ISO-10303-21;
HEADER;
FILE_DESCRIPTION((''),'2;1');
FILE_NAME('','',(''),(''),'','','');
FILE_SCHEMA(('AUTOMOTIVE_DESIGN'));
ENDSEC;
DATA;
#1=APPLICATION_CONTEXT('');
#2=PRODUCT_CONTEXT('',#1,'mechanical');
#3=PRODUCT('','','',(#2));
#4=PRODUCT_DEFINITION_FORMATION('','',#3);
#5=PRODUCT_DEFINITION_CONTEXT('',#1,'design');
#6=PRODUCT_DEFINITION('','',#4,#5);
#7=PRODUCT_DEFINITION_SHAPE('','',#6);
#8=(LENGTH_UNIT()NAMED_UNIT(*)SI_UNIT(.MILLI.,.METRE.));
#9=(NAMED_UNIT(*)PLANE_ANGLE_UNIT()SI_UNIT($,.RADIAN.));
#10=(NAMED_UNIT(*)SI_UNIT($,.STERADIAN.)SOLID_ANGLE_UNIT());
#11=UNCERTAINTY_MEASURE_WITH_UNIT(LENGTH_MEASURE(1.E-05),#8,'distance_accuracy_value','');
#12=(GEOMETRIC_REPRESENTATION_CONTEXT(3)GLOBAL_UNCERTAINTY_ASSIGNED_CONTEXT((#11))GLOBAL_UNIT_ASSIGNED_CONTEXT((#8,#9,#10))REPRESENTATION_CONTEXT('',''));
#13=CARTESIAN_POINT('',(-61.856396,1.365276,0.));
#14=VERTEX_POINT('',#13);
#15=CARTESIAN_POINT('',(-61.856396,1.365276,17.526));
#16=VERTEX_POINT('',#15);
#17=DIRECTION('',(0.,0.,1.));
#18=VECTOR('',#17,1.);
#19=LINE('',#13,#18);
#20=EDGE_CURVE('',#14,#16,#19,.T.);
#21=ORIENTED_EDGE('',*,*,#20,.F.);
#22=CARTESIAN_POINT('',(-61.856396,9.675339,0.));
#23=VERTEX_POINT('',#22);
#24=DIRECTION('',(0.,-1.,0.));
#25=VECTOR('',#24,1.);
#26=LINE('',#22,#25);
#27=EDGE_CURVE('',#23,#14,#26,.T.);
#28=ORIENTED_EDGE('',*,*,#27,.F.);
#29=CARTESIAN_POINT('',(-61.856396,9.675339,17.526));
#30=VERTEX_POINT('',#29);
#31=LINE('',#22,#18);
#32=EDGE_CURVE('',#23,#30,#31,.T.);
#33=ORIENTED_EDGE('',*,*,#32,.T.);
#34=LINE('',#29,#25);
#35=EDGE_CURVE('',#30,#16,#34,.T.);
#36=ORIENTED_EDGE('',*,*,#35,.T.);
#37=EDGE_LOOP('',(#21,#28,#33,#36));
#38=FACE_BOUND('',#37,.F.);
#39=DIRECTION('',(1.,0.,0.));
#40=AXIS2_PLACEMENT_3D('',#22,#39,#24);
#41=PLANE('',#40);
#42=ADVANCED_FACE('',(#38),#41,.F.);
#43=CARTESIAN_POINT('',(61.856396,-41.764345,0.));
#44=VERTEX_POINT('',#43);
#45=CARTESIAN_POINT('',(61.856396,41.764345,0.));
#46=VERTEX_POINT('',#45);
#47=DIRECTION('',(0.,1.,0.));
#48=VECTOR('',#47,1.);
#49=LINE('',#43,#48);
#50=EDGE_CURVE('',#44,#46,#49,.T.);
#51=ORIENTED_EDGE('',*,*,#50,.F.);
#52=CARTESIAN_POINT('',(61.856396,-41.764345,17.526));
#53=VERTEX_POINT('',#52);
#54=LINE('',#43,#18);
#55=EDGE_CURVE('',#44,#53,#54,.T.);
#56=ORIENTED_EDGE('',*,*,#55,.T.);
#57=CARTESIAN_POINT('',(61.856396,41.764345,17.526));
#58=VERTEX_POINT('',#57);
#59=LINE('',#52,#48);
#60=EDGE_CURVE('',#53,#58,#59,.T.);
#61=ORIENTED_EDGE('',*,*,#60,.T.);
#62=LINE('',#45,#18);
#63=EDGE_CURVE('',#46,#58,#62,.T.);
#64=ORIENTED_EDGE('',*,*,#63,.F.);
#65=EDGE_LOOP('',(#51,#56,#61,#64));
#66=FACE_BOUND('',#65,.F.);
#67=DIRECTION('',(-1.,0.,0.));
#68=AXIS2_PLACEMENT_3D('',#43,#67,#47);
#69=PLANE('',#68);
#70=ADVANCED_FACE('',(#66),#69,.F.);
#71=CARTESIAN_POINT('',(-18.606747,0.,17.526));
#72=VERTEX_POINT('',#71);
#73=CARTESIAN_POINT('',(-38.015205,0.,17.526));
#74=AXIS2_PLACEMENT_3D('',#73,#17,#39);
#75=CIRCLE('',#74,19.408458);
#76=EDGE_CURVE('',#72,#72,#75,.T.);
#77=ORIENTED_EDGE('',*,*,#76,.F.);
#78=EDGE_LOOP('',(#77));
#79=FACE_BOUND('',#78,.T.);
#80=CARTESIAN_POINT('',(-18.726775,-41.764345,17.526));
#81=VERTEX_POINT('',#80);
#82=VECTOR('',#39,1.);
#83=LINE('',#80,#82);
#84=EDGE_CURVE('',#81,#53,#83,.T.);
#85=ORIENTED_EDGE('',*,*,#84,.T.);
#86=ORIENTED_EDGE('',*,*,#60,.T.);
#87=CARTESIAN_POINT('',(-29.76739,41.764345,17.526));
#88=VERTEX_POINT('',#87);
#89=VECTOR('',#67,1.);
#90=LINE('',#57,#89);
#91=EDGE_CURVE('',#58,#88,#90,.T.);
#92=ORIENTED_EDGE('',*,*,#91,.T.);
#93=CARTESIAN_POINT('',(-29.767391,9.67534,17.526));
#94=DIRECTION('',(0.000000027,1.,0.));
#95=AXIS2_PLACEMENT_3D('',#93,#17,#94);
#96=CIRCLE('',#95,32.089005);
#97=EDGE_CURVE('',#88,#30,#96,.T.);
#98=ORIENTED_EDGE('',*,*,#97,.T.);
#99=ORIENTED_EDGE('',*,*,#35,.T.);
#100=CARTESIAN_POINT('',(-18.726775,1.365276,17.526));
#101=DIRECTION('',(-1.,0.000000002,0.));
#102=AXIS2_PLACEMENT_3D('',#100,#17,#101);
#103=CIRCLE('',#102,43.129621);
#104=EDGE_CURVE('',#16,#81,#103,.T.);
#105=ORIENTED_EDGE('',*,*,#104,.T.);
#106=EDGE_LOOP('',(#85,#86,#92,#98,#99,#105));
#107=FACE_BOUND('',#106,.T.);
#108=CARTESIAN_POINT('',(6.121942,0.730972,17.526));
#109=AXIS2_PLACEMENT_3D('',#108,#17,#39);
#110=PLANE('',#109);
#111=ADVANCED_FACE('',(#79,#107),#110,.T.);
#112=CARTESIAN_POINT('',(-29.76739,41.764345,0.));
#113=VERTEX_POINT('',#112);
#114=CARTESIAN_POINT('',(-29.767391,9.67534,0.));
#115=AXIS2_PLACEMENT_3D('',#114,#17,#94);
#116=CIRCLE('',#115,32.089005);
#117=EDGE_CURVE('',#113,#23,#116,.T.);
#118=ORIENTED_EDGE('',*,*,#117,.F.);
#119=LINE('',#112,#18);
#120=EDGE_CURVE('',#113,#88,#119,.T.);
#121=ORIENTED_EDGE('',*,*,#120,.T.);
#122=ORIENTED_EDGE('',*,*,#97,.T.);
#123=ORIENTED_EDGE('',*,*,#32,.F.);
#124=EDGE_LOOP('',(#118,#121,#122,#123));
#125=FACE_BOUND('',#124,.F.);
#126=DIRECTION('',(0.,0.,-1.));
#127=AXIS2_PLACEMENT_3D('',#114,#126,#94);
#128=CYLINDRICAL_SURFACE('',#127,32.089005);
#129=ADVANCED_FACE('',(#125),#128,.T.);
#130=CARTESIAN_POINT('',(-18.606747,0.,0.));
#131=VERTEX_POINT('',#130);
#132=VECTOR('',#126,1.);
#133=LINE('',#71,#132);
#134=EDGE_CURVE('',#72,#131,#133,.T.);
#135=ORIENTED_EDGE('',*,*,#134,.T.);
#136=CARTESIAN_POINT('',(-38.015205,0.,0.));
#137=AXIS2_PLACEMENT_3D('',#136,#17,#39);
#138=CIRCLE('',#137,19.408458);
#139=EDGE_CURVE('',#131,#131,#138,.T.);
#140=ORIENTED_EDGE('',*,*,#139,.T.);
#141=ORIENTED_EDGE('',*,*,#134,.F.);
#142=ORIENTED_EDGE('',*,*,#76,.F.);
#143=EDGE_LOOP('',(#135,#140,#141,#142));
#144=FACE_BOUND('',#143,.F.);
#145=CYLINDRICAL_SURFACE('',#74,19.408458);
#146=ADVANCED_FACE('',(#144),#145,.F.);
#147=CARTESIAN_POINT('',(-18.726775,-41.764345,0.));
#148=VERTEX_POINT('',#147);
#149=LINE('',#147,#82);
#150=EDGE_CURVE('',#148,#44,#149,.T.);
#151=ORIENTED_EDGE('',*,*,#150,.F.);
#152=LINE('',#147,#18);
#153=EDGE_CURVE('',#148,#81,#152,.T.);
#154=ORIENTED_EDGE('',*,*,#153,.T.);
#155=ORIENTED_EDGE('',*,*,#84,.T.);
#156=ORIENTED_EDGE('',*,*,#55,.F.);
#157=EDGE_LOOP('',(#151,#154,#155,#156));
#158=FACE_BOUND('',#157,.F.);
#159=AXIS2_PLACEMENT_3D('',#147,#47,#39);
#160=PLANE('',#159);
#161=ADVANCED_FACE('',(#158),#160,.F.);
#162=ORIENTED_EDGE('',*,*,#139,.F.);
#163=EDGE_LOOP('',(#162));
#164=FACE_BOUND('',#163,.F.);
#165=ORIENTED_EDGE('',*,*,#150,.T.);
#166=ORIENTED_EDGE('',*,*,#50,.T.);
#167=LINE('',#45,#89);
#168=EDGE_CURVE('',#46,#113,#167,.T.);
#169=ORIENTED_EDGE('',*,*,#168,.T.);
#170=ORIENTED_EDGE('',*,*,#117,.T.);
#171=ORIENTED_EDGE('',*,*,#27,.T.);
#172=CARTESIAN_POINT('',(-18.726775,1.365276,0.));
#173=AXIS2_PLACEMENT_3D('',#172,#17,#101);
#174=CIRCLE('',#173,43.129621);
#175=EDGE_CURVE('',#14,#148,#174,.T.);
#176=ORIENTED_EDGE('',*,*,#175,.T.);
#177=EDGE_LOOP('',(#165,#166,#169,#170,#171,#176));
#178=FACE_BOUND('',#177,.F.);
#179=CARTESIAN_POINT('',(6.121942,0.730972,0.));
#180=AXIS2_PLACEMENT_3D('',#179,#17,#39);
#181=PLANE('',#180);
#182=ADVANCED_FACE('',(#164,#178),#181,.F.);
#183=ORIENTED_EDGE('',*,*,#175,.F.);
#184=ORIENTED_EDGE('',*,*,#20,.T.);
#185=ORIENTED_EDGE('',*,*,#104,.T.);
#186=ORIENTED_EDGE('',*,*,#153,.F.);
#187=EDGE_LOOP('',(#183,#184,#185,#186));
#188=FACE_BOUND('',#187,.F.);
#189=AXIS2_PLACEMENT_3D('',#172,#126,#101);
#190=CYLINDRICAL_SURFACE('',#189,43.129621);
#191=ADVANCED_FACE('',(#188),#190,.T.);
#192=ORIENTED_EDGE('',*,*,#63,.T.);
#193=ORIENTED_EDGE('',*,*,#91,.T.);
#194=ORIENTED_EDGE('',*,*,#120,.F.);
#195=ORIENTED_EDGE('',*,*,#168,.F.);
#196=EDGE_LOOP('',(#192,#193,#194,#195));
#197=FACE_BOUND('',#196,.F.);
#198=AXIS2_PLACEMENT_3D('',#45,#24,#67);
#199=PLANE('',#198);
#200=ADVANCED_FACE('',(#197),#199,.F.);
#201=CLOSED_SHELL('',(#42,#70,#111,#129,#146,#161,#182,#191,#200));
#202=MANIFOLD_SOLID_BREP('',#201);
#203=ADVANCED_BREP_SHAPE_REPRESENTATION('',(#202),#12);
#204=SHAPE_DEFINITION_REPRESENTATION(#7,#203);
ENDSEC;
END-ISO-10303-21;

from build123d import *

# Parameters (mm, degrees)
F1_DEPTH = 17.526
F2_R     = 19.408458
F3_DEPTH = 17.527


with BuildPart() as f1:
    # F0 (on Top) → F1 (new body)
    with BuildSketch(Plane.XY):
        with BuildLine():
            Line((61.856396, -41.764345), (61.856396, 41.764345))
            Line((61.856396, 41.764345), (-29.76739, 41.764345))
            ThreePointArc((-29.76739, 41.764345), (-52.457744, 32.365693), (-61.856396, 9.675339))
            Line((-61.856396, 9.675339), (-61.856396, 1.365276))
            ThreePointArc((-61.856396, 1.365276), (-49.224023, -29.131971), (-18.726775, -41.764345))
            Line((-18.726775, -41.764345), (61.856396, -41.764345))
        make_face()
    extrude(amount=F1_DEPTH)

    # F2 (on face) → F3 (cut, through all)
    with BuildSketch(Plane.XY.offset(17.526)):
        with Locations((-38.015205, 0)):
            Circle(F2_R)
    extrude(amount=-F3_DEPTH, mode=Mode.SUBTRACT)


solid = f1.part
